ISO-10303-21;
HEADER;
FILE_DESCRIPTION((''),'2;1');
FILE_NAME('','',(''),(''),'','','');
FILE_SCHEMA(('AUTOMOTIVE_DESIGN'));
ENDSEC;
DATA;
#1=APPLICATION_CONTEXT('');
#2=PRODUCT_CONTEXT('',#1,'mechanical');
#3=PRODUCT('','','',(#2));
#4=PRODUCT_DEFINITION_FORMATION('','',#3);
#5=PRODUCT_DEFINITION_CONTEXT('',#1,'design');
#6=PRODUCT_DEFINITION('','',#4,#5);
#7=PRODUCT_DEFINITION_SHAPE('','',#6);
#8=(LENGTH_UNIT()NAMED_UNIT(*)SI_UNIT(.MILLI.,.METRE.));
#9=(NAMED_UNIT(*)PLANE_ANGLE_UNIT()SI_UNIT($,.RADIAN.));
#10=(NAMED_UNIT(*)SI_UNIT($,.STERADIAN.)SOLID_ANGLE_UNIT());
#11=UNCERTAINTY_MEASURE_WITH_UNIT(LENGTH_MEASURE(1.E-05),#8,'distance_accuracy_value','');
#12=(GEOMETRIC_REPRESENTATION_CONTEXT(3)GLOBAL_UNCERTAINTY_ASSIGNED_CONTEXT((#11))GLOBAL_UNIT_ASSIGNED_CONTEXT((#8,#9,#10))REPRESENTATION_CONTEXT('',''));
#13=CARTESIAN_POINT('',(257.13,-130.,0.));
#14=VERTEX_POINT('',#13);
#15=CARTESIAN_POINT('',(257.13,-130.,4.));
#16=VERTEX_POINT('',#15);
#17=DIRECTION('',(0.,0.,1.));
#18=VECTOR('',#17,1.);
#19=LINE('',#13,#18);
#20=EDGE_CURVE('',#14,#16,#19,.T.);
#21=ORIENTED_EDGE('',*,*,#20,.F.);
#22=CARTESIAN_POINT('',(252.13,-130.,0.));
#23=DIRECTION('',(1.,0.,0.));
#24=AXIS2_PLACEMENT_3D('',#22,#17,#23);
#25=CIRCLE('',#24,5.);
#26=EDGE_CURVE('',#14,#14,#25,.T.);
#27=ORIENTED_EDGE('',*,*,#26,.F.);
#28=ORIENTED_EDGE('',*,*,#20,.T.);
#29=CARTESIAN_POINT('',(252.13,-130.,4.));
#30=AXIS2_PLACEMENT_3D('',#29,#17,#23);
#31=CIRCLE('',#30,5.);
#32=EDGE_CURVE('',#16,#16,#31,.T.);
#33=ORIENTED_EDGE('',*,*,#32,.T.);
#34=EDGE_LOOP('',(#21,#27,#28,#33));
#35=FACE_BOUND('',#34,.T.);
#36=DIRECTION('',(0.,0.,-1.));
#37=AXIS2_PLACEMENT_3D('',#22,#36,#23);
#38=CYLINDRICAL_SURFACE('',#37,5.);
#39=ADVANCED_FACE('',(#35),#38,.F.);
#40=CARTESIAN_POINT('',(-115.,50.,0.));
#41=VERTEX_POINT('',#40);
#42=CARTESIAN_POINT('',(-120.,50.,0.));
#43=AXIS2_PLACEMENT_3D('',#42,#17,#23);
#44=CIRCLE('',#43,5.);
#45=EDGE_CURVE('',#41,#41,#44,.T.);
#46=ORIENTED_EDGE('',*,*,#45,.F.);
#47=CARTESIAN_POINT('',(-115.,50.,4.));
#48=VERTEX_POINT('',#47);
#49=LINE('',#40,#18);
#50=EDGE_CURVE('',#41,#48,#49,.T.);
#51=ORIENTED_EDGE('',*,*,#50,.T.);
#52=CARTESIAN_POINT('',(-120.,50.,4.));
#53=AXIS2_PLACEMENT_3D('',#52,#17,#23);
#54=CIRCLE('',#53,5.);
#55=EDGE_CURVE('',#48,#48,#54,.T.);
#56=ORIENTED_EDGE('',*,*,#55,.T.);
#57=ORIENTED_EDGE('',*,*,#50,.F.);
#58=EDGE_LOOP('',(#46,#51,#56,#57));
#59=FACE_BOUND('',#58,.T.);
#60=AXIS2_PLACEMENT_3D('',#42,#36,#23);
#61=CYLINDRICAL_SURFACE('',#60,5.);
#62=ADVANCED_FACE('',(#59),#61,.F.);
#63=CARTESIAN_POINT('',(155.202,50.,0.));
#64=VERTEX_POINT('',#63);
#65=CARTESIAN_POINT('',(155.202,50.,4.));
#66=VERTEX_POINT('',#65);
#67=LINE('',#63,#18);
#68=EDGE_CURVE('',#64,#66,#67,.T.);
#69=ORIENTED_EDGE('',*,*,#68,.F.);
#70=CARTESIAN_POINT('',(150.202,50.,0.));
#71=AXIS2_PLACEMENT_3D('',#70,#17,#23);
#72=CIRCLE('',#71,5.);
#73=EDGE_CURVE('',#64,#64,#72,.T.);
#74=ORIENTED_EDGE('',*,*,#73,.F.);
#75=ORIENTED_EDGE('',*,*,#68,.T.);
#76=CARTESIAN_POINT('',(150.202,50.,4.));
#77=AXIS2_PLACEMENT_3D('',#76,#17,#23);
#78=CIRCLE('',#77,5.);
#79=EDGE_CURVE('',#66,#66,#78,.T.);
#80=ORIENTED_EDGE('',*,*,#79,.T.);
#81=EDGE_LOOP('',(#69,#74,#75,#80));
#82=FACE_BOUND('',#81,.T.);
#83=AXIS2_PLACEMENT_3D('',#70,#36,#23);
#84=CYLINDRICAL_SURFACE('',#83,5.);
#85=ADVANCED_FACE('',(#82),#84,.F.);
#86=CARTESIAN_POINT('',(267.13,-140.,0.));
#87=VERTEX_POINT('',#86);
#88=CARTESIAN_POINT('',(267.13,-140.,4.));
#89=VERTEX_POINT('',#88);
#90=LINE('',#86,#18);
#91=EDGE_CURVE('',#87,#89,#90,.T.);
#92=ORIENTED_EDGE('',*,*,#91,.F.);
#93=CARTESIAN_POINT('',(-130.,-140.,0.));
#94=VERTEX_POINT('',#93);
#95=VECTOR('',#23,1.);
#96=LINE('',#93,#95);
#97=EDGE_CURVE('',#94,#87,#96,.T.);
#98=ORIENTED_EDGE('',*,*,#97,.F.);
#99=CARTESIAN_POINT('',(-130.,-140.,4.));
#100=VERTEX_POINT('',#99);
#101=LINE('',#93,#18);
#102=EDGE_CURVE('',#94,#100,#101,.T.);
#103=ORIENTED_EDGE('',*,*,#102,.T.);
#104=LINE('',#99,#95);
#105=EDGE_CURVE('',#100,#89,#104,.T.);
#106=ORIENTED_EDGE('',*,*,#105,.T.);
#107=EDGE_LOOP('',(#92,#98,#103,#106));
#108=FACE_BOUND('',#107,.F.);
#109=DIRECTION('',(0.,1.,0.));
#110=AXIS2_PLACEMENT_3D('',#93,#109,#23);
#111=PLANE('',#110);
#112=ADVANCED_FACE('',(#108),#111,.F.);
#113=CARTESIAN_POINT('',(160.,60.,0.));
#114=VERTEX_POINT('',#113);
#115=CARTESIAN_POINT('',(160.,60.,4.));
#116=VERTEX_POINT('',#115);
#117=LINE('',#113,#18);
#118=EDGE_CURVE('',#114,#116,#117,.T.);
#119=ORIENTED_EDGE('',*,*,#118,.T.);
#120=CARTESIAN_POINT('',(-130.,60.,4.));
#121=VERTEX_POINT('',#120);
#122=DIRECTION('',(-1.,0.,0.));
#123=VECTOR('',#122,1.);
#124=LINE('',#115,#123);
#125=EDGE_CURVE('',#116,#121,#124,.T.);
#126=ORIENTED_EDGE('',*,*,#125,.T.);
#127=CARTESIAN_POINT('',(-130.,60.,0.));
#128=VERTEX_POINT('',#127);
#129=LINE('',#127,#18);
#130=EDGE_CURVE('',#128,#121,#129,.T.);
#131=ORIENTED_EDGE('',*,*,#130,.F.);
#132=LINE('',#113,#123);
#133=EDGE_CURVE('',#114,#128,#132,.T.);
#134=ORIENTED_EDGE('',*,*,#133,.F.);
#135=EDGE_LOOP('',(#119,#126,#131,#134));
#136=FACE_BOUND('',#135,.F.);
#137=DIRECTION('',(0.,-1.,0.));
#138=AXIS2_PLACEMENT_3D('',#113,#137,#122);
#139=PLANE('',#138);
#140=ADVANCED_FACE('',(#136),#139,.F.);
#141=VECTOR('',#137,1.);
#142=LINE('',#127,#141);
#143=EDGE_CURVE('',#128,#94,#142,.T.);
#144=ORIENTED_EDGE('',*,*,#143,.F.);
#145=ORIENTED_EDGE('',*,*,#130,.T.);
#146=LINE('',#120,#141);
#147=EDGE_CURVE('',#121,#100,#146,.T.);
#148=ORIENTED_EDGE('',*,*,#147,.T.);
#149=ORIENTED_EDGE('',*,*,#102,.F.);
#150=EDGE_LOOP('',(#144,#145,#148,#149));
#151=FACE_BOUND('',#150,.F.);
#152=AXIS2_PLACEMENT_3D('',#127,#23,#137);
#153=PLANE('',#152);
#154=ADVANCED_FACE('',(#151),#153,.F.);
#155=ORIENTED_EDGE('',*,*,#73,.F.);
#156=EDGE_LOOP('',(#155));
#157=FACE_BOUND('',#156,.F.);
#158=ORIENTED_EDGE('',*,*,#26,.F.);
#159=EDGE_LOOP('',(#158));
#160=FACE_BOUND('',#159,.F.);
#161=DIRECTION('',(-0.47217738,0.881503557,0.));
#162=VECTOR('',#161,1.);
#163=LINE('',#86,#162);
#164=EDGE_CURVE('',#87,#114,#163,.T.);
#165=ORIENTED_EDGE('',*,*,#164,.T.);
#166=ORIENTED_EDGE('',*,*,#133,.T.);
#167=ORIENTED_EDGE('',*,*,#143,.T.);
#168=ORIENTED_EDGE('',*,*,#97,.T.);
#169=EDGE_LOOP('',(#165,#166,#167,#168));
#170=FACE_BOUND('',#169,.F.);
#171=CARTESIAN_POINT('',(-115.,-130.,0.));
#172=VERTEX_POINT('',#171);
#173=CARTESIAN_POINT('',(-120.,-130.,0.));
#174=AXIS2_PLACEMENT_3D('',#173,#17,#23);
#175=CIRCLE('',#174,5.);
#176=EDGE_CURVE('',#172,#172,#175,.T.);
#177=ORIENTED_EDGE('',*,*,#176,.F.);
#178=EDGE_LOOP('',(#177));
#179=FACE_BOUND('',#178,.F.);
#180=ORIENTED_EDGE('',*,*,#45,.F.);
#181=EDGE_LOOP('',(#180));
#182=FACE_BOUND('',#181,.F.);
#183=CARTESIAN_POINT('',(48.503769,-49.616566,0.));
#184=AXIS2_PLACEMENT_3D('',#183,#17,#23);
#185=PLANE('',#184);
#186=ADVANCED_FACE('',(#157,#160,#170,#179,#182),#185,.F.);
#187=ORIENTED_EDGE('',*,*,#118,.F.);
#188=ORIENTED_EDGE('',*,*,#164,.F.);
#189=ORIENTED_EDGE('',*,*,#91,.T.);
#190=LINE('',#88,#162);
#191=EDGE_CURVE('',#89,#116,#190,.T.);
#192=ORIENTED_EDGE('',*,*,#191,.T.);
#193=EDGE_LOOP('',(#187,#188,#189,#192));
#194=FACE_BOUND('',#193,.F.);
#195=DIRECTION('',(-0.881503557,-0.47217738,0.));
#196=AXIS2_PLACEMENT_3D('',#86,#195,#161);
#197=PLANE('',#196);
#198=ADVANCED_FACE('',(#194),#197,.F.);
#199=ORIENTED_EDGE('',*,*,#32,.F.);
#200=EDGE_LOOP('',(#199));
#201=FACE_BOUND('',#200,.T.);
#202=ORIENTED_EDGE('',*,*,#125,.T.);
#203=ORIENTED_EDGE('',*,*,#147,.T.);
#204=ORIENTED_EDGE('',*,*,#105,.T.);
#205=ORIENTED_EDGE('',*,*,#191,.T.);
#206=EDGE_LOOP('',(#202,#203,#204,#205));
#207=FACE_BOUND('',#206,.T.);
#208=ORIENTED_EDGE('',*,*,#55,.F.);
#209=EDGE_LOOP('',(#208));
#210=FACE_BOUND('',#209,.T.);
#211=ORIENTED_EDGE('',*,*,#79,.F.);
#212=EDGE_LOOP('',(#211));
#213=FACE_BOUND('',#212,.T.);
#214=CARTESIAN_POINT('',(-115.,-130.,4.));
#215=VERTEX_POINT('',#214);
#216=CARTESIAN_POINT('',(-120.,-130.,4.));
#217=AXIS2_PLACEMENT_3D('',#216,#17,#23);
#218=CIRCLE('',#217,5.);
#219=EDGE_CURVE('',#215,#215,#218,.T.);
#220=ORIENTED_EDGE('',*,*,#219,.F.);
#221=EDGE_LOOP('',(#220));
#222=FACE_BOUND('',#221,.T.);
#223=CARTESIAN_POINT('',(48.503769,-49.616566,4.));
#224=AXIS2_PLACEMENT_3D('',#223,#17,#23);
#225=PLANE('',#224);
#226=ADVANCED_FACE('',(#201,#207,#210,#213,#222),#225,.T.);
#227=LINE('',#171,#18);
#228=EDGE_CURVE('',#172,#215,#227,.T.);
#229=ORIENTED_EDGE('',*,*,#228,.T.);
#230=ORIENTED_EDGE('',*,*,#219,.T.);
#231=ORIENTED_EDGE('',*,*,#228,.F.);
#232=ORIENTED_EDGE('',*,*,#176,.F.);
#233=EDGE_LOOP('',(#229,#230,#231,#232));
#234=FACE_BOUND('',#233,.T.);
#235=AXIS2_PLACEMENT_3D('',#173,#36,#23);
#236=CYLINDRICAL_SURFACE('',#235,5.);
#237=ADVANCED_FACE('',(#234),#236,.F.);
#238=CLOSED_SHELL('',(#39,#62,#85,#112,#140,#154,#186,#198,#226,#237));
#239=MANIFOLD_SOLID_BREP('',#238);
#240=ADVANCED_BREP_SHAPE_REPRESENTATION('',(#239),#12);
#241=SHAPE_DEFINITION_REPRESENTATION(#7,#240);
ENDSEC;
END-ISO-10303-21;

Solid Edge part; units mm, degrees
sketch "Sketch1" plane through (0, 0, 0) normal (0, 0, 1) x (1, 0, 0)
  line L0 (160, 60) -> (-130, 60)
  line L1 (-130, 60) -> (-130, -140)
  line L2 (-130, -140) -> (267.13, -140)
  line L3 (267.13, -140) -> (160, 60)
  circle A0 centre (-120, 50) radius 5
  circle A1 centre (150.202, 50) radius 5
  circle A2 centre (252.13, -130) radius 5
  circle A3 centre (-120, -130) radius 5
  dimension "D1" = 290
  dimension "D2" = 200
  dimension "D3" = 397.13
  dimension "D4" = 10
  dimension "D5" = 10
  dimension "D6" = 10
  dimension "D7" = 10
  dimension "D8" = 10
  dimension "D9" = 10
  dimension "D10" = 10
  dimension "D11" = 10
  dimension "D12" = 10
  dimension "D13" = 15
  dimension "D14" = 10
  dimension "D15" = 14
extrude "Protrusion1" add sketch "Sketch1" along normal blind 4
